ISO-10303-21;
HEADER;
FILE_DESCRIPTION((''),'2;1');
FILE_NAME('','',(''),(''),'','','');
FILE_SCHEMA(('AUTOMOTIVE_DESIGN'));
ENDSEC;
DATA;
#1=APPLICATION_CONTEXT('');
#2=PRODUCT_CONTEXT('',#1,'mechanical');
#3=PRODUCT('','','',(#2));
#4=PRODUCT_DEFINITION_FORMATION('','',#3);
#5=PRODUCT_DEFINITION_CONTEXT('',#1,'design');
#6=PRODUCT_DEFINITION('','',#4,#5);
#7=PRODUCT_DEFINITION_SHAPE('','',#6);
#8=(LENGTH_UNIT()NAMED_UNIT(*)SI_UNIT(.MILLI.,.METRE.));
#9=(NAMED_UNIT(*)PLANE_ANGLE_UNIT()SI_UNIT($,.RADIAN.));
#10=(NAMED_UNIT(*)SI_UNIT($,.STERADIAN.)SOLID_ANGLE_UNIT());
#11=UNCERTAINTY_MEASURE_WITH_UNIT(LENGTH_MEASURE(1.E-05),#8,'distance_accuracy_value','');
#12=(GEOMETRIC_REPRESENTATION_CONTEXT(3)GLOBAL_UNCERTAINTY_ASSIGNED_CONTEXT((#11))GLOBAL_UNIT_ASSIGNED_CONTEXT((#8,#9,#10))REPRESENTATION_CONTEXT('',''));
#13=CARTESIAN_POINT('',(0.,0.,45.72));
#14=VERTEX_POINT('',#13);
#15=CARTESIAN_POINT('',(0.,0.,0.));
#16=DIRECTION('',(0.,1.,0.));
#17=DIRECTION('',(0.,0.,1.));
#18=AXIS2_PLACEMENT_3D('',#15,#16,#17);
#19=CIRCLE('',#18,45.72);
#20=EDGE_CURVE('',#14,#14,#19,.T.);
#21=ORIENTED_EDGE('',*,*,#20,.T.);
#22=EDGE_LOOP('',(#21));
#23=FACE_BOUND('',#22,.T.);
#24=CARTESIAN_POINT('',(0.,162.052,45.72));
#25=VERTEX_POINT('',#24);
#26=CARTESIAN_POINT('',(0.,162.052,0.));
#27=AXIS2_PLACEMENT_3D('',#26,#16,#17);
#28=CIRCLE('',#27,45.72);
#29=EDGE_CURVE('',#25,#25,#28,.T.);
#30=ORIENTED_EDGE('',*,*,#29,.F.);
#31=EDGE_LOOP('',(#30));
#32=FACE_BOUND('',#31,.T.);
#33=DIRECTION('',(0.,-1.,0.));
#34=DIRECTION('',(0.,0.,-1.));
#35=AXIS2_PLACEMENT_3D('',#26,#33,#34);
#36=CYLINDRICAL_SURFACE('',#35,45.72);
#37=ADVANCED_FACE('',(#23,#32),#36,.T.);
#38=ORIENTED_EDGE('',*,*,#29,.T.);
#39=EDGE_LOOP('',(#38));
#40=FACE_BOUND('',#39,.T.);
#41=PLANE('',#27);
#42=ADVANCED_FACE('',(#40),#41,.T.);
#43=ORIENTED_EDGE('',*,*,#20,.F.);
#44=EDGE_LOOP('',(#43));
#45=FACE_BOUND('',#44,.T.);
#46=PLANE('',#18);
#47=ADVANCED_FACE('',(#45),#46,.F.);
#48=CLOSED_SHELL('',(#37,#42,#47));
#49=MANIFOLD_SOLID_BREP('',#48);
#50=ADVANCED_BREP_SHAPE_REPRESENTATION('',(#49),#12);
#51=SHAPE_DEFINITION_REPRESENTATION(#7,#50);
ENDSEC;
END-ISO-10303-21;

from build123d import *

# Parameters (mm, degrees)
SKETCH1_R      = 45.72
EXTRUDE1_DEPTH = 162.052


with BuildPart() as part:
    # Sketch1 → Extrude1 (new body)
    with BuildSketch(Plane(origin=(0, 0, 0), x_dir=(1, 0, 0), z_dir=(0, 1, 0))):
        Circle(SKETCH1_R)
    extrude(amount=EXTRUDE1_DEPTH)


solid = part.part
